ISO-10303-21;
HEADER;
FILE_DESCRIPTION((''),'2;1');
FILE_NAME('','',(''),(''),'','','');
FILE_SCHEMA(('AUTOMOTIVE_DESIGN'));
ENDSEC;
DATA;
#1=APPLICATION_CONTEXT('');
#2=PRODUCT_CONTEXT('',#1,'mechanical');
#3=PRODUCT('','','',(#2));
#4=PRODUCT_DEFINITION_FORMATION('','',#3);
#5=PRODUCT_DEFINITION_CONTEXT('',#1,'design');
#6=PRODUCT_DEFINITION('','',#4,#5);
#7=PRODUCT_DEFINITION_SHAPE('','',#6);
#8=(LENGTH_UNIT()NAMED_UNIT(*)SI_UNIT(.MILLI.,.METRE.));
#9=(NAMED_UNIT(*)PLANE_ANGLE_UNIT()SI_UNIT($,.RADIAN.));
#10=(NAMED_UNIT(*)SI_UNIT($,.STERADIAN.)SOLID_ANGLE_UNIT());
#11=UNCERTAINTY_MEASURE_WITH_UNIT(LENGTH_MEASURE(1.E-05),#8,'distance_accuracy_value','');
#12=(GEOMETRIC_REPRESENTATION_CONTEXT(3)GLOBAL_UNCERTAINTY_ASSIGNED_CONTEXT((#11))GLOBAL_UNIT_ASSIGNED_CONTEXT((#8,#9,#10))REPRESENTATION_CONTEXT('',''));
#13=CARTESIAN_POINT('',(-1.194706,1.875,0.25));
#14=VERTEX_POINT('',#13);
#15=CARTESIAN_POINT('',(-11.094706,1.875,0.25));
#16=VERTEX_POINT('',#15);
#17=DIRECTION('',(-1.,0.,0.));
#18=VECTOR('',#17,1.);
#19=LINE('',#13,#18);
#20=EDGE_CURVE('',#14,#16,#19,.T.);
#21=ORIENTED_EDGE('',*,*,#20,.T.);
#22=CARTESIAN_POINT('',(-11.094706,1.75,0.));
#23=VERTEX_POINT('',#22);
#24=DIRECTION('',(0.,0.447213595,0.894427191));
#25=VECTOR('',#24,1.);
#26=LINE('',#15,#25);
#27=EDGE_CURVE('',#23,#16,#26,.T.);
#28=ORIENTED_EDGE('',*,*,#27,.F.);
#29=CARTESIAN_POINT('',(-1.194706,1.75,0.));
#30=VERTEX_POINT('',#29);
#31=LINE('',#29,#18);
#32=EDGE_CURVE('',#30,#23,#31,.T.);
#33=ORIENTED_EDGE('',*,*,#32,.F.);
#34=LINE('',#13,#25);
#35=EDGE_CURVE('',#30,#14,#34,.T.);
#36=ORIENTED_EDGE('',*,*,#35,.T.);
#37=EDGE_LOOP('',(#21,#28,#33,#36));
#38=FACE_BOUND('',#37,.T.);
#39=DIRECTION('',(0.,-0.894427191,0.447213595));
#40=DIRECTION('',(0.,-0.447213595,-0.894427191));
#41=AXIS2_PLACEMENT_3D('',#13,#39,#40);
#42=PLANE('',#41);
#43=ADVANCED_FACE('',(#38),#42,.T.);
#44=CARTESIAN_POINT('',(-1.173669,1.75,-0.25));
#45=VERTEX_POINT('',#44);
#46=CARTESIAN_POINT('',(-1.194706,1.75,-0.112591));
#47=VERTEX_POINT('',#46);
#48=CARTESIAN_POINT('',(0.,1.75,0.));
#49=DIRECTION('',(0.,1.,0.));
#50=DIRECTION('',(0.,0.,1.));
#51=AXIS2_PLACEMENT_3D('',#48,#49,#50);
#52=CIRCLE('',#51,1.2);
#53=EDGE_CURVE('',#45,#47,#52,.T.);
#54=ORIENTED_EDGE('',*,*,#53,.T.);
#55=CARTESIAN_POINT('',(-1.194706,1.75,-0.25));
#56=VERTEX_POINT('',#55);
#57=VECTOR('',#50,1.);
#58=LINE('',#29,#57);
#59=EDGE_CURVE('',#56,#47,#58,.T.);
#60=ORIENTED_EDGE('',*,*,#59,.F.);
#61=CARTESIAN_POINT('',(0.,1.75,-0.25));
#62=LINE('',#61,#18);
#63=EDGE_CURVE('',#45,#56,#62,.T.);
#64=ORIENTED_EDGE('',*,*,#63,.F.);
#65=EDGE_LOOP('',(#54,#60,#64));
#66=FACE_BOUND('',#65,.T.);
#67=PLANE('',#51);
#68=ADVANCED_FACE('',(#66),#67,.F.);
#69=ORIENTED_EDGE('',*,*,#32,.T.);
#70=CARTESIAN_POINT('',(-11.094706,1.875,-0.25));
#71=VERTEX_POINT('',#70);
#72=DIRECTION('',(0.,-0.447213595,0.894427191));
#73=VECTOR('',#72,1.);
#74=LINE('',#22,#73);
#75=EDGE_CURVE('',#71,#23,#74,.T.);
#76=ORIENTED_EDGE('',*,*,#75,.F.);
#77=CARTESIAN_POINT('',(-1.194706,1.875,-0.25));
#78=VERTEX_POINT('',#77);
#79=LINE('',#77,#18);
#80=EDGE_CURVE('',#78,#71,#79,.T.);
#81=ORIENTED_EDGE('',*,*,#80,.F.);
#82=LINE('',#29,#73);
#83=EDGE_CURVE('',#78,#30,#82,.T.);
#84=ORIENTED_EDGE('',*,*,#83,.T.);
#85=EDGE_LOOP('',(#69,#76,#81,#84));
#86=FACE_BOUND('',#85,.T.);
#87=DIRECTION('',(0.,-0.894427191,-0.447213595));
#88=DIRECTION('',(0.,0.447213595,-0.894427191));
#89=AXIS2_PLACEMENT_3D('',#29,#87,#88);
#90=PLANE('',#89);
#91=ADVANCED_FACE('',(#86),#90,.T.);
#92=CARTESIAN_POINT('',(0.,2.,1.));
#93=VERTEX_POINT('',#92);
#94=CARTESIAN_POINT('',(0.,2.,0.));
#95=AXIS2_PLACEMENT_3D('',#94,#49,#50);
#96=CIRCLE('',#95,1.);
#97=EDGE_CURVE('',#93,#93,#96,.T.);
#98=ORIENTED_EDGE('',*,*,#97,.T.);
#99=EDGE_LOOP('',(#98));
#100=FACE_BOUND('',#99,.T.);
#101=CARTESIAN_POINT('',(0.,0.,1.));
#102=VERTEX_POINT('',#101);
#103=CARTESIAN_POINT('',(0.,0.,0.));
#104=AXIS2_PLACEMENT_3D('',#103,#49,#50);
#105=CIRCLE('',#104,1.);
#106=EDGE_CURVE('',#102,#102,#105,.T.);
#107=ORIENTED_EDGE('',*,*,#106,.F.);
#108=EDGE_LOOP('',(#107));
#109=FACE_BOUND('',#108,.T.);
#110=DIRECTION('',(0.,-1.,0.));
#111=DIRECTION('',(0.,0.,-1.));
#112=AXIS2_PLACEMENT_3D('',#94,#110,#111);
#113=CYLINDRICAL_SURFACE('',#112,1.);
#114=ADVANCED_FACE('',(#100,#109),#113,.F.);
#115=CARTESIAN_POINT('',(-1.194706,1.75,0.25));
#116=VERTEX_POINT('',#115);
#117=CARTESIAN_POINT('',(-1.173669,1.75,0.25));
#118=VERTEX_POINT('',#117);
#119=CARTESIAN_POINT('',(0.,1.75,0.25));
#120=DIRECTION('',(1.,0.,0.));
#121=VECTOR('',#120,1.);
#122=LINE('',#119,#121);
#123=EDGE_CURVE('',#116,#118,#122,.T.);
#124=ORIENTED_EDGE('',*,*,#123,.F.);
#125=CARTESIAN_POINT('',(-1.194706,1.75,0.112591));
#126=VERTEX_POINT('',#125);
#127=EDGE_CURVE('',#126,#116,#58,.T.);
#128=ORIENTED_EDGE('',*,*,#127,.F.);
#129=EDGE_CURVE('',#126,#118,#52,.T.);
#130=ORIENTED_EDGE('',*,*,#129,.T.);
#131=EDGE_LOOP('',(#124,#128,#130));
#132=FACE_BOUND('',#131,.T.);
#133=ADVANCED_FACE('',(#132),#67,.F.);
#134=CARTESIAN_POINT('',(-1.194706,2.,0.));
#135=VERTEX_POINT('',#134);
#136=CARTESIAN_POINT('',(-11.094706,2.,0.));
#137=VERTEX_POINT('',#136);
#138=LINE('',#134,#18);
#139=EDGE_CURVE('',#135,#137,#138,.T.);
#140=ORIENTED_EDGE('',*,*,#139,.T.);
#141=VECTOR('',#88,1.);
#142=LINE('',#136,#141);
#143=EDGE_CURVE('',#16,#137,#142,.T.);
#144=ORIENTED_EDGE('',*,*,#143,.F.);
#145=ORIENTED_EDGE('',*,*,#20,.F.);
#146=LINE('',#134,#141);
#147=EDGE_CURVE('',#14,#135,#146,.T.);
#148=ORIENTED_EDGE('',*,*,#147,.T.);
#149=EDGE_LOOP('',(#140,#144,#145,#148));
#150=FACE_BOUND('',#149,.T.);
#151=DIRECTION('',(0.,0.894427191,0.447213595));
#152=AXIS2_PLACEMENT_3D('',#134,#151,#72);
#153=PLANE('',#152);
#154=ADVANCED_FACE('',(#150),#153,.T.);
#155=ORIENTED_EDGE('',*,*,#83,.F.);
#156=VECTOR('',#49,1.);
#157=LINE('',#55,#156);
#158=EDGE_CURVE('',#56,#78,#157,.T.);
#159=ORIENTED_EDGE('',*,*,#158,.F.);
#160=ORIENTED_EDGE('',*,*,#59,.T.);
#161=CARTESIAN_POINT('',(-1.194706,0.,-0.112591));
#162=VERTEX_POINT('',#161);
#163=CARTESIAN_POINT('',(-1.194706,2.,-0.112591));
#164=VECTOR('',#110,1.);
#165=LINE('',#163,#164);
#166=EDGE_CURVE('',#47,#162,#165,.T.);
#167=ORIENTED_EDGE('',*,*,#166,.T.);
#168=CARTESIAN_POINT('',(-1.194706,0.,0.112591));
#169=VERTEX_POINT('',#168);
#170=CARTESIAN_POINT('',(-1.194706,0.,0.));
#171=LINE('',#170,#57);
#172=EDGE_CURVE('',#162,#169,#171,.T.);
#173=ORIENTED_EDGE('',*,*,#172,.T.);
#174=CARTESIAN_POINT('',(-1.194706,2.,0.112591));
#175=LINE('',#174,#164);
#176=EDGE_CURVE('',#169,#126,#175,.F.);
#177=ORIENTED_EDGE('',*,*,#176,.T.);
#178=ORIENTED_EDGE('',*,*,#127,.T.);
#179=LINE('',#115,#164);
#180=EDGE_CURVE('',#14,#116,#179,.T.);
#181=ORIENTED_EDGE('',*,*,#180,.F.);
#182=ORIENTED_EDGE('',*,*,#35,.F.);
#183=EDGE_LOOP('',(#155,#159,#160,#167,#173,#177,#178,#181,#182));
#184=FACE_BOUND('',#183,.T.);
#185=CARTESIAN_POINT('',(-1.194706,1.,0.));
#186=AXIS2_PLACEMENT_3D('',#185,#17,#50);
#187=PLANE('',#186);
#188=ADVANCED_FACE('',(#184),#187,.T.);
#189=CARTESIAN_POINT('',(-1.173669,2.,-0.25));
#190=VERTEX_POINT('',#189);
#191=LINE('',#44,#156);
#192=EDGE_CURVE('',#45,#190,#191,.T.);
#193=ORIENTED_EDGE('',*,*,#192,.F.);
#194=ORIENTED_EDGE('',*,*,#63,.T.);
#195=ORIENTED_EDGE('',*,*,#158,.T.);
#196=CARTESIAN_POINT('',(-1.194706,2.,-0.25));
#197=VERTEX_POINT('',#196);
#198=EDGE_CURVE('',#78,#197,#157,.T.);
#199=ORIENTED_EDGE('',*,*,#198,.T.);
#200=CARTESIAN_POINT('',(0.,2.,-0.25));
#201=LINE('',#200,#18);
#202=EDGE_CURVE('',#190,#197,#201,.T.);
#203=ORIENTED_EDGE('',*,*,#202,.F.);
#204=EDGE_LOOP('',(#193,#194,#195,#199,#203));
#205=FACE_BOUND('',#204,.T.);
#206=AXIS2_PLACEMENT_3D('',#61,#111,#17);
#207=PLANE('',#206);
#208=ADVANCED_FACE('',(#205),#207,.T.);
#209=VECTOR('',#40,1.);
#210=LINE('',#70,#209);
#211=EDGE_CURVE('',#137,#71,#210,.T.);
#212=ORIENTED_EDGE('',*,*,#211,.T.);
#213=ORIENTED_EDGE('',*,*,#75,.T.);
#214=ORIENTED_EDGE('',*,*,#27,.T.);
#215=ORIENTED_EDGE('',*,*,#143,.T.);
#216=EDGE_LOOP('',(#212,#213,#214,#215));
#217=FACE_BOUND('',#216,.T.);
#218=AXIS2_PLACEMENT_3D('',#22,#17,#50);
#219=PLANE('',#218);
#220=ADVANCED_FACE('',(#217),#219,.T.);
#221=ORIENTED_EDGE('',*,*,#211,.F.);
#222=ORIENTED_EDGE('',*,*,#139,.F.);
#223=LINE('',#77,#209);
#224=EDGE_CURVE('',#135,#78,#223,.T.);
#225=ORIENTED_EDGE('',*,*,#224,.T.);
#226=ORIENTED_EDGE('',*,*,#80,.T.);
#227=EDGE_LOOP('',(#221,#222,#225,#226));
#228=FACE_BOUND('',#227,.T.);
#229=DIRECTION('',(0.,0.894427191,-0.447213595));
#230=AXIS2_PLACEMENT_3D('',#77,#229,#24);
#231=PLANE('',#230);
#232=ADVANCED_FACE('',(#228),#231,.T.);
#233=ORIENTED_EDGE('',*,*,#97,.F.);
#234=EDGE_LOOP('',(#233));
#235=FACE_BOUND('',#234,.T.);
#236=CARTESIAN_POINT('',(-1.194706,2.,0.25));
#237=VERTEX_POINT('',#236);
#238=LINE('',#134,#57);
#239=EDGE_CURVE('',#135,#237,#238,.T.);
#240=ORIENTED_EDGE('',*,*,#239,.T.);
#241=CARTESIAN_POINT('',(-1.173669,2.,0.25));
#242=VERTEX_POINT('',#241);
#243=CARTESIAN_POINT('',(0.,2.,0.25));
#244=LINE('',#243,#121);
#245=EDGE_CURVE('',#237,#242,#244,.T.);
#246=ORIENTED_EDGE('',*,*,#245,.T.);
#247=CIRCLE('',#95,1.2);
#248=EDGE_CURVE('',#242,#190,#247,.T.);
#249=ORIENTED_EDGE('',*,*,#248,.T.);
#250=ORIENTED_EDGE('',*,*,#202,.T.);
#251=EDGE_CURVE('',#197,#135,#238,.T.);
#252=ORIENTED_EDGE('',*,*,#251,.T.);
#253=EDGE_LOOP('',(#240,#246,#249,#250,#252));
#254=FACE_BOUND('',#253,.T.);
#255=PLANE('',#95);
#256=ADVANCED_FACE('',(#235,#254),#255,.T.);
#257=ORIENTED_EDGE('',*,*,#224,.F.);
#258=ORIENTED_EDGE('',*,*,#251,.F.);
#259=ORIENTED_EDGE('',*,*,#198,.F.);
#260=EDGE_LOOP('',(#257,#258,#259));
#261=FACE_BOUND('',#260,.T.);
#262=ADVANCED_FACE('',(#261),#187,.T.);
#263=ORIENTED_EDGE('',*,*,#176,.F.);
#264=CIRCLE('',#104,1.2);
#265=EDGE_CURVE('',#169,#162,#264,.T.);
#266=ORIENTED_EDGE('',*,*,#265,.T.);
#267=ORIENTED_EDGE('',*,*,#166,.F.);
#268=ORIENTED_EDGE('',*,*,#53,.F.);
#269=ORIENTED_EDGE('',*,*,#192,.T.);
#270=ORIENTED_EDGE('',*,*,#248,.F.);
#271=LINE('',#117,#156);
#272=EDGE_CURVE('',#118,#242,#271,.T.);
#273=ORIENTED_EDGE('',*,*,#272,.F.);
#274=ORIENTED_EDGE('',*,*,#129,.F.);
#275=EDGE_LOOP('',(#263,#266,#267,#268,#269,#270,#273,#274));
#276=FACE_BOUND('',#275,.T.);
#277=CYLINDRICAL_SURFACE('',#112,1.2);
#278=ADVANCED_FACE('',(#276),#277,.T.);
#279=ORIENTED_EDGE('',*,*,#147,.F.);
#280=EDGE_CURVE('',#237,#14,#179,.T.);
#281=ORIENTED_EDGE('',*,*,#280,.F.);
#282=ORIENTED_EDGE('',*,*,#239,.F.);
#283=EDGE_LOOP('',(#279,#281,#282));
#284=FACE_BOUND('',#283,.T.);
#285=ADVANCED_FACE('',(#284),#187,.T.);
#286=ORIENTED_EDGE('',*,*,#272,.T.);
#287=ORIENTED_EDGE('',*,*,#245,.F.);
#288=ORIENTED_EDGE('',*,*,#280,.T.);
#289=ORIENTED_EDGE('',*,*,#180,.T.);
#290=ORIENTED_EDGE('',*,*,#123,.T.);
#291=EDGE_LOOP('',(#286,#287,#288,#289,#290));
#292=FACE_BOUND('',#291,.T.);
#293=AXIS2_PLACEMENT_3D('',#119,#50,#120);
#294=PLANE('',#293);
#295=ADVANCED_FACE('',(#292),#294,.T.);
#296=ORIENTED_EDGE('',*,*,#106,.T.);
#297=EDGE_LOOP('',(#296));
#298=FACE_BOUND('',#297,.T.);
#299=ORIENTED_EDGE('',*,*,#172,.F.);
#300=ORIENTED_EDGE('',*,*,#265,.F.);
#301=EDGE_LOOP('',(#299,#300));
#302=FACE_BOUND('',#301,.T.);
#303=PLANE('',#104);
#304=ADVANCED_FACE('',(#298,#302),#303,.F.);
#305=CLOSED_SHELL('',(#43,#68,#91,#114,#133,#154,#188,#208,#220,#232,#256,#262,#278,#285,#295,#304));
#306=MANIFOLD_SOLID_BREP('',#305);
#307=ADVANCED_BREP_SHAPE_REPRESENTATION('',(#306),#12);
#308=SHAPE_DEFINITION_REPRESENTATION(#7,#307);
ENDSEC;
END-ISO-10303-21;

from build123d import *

# Parameters (mm, degrees)
SKETCH1_R           = 1.2
SKETCH1_R_2         = 1
BOSS_EXTRUDE1_DEPTH = 2
BOSS_EXTRUDE3_DEPTH = 0.25
SKETCH3_OUTSIDE_W   = 6.938
SKETCH3_OUTSIDE_H   = 6.538
CUT_EXTRUDE3_DEPTH  = 9.9


with BuildPart() as part:
    # Sketch1 → Boss-Extrude1 (new body)
    with BuildSketch(Plane(origin=(0, 0, 0), x_dir=(1, 0, 0), z_dir=(0, 1, 0))):
        Circle(SKETCH1_R)
        Circle(SKETCH1_R_2, mode=Mode.SUBTRACT)
    extrude(amount=BOSS_EXTRUDE1_DEPTH)

    # Sketch2 → Boss-Extrude3 (add)
    with BuildSketch(Plane(origin=(0, 2, 0), x_dir=(1, 0, 0), z_dir=(0, 1, 0))):
        with BuildLine():
            Line((-11.094706331, -0.25), (-1.173669459, -0.25))
            ThreePointArc((-1.173669459, -0.25), (-1.2, 0), (-1.173669459, 0.25))
            Line((-1.173669459, 0.25), (-11.094706331, 0.25))
            Line((-11.094706331, 0.25), (-11.094706331, -0.25))
        make_face()
    extrude(amount=-BOSS_EXTRUDE3_DEPTH)

    # Sketch3 outside → Cut-Extrude3 (cut)
    with BuildSketch(Plane.ZY.offset(11.094706331)):
        with Locations((0, 1)):
            Rectangle(SKETCH3_OUTSIDE_W, SKETCH3_OUTSIDE_H)
        Polygon((-0.25, 1.875), (0, 2), (0.25, 1.875), (0, 1.75), align=None, mode=Mode.SUBTRACT)
    extrude(amount=-CUT_EXTRUDE3_DEPTH, mode=Mode.SUBTRACT)


solid = part.part
